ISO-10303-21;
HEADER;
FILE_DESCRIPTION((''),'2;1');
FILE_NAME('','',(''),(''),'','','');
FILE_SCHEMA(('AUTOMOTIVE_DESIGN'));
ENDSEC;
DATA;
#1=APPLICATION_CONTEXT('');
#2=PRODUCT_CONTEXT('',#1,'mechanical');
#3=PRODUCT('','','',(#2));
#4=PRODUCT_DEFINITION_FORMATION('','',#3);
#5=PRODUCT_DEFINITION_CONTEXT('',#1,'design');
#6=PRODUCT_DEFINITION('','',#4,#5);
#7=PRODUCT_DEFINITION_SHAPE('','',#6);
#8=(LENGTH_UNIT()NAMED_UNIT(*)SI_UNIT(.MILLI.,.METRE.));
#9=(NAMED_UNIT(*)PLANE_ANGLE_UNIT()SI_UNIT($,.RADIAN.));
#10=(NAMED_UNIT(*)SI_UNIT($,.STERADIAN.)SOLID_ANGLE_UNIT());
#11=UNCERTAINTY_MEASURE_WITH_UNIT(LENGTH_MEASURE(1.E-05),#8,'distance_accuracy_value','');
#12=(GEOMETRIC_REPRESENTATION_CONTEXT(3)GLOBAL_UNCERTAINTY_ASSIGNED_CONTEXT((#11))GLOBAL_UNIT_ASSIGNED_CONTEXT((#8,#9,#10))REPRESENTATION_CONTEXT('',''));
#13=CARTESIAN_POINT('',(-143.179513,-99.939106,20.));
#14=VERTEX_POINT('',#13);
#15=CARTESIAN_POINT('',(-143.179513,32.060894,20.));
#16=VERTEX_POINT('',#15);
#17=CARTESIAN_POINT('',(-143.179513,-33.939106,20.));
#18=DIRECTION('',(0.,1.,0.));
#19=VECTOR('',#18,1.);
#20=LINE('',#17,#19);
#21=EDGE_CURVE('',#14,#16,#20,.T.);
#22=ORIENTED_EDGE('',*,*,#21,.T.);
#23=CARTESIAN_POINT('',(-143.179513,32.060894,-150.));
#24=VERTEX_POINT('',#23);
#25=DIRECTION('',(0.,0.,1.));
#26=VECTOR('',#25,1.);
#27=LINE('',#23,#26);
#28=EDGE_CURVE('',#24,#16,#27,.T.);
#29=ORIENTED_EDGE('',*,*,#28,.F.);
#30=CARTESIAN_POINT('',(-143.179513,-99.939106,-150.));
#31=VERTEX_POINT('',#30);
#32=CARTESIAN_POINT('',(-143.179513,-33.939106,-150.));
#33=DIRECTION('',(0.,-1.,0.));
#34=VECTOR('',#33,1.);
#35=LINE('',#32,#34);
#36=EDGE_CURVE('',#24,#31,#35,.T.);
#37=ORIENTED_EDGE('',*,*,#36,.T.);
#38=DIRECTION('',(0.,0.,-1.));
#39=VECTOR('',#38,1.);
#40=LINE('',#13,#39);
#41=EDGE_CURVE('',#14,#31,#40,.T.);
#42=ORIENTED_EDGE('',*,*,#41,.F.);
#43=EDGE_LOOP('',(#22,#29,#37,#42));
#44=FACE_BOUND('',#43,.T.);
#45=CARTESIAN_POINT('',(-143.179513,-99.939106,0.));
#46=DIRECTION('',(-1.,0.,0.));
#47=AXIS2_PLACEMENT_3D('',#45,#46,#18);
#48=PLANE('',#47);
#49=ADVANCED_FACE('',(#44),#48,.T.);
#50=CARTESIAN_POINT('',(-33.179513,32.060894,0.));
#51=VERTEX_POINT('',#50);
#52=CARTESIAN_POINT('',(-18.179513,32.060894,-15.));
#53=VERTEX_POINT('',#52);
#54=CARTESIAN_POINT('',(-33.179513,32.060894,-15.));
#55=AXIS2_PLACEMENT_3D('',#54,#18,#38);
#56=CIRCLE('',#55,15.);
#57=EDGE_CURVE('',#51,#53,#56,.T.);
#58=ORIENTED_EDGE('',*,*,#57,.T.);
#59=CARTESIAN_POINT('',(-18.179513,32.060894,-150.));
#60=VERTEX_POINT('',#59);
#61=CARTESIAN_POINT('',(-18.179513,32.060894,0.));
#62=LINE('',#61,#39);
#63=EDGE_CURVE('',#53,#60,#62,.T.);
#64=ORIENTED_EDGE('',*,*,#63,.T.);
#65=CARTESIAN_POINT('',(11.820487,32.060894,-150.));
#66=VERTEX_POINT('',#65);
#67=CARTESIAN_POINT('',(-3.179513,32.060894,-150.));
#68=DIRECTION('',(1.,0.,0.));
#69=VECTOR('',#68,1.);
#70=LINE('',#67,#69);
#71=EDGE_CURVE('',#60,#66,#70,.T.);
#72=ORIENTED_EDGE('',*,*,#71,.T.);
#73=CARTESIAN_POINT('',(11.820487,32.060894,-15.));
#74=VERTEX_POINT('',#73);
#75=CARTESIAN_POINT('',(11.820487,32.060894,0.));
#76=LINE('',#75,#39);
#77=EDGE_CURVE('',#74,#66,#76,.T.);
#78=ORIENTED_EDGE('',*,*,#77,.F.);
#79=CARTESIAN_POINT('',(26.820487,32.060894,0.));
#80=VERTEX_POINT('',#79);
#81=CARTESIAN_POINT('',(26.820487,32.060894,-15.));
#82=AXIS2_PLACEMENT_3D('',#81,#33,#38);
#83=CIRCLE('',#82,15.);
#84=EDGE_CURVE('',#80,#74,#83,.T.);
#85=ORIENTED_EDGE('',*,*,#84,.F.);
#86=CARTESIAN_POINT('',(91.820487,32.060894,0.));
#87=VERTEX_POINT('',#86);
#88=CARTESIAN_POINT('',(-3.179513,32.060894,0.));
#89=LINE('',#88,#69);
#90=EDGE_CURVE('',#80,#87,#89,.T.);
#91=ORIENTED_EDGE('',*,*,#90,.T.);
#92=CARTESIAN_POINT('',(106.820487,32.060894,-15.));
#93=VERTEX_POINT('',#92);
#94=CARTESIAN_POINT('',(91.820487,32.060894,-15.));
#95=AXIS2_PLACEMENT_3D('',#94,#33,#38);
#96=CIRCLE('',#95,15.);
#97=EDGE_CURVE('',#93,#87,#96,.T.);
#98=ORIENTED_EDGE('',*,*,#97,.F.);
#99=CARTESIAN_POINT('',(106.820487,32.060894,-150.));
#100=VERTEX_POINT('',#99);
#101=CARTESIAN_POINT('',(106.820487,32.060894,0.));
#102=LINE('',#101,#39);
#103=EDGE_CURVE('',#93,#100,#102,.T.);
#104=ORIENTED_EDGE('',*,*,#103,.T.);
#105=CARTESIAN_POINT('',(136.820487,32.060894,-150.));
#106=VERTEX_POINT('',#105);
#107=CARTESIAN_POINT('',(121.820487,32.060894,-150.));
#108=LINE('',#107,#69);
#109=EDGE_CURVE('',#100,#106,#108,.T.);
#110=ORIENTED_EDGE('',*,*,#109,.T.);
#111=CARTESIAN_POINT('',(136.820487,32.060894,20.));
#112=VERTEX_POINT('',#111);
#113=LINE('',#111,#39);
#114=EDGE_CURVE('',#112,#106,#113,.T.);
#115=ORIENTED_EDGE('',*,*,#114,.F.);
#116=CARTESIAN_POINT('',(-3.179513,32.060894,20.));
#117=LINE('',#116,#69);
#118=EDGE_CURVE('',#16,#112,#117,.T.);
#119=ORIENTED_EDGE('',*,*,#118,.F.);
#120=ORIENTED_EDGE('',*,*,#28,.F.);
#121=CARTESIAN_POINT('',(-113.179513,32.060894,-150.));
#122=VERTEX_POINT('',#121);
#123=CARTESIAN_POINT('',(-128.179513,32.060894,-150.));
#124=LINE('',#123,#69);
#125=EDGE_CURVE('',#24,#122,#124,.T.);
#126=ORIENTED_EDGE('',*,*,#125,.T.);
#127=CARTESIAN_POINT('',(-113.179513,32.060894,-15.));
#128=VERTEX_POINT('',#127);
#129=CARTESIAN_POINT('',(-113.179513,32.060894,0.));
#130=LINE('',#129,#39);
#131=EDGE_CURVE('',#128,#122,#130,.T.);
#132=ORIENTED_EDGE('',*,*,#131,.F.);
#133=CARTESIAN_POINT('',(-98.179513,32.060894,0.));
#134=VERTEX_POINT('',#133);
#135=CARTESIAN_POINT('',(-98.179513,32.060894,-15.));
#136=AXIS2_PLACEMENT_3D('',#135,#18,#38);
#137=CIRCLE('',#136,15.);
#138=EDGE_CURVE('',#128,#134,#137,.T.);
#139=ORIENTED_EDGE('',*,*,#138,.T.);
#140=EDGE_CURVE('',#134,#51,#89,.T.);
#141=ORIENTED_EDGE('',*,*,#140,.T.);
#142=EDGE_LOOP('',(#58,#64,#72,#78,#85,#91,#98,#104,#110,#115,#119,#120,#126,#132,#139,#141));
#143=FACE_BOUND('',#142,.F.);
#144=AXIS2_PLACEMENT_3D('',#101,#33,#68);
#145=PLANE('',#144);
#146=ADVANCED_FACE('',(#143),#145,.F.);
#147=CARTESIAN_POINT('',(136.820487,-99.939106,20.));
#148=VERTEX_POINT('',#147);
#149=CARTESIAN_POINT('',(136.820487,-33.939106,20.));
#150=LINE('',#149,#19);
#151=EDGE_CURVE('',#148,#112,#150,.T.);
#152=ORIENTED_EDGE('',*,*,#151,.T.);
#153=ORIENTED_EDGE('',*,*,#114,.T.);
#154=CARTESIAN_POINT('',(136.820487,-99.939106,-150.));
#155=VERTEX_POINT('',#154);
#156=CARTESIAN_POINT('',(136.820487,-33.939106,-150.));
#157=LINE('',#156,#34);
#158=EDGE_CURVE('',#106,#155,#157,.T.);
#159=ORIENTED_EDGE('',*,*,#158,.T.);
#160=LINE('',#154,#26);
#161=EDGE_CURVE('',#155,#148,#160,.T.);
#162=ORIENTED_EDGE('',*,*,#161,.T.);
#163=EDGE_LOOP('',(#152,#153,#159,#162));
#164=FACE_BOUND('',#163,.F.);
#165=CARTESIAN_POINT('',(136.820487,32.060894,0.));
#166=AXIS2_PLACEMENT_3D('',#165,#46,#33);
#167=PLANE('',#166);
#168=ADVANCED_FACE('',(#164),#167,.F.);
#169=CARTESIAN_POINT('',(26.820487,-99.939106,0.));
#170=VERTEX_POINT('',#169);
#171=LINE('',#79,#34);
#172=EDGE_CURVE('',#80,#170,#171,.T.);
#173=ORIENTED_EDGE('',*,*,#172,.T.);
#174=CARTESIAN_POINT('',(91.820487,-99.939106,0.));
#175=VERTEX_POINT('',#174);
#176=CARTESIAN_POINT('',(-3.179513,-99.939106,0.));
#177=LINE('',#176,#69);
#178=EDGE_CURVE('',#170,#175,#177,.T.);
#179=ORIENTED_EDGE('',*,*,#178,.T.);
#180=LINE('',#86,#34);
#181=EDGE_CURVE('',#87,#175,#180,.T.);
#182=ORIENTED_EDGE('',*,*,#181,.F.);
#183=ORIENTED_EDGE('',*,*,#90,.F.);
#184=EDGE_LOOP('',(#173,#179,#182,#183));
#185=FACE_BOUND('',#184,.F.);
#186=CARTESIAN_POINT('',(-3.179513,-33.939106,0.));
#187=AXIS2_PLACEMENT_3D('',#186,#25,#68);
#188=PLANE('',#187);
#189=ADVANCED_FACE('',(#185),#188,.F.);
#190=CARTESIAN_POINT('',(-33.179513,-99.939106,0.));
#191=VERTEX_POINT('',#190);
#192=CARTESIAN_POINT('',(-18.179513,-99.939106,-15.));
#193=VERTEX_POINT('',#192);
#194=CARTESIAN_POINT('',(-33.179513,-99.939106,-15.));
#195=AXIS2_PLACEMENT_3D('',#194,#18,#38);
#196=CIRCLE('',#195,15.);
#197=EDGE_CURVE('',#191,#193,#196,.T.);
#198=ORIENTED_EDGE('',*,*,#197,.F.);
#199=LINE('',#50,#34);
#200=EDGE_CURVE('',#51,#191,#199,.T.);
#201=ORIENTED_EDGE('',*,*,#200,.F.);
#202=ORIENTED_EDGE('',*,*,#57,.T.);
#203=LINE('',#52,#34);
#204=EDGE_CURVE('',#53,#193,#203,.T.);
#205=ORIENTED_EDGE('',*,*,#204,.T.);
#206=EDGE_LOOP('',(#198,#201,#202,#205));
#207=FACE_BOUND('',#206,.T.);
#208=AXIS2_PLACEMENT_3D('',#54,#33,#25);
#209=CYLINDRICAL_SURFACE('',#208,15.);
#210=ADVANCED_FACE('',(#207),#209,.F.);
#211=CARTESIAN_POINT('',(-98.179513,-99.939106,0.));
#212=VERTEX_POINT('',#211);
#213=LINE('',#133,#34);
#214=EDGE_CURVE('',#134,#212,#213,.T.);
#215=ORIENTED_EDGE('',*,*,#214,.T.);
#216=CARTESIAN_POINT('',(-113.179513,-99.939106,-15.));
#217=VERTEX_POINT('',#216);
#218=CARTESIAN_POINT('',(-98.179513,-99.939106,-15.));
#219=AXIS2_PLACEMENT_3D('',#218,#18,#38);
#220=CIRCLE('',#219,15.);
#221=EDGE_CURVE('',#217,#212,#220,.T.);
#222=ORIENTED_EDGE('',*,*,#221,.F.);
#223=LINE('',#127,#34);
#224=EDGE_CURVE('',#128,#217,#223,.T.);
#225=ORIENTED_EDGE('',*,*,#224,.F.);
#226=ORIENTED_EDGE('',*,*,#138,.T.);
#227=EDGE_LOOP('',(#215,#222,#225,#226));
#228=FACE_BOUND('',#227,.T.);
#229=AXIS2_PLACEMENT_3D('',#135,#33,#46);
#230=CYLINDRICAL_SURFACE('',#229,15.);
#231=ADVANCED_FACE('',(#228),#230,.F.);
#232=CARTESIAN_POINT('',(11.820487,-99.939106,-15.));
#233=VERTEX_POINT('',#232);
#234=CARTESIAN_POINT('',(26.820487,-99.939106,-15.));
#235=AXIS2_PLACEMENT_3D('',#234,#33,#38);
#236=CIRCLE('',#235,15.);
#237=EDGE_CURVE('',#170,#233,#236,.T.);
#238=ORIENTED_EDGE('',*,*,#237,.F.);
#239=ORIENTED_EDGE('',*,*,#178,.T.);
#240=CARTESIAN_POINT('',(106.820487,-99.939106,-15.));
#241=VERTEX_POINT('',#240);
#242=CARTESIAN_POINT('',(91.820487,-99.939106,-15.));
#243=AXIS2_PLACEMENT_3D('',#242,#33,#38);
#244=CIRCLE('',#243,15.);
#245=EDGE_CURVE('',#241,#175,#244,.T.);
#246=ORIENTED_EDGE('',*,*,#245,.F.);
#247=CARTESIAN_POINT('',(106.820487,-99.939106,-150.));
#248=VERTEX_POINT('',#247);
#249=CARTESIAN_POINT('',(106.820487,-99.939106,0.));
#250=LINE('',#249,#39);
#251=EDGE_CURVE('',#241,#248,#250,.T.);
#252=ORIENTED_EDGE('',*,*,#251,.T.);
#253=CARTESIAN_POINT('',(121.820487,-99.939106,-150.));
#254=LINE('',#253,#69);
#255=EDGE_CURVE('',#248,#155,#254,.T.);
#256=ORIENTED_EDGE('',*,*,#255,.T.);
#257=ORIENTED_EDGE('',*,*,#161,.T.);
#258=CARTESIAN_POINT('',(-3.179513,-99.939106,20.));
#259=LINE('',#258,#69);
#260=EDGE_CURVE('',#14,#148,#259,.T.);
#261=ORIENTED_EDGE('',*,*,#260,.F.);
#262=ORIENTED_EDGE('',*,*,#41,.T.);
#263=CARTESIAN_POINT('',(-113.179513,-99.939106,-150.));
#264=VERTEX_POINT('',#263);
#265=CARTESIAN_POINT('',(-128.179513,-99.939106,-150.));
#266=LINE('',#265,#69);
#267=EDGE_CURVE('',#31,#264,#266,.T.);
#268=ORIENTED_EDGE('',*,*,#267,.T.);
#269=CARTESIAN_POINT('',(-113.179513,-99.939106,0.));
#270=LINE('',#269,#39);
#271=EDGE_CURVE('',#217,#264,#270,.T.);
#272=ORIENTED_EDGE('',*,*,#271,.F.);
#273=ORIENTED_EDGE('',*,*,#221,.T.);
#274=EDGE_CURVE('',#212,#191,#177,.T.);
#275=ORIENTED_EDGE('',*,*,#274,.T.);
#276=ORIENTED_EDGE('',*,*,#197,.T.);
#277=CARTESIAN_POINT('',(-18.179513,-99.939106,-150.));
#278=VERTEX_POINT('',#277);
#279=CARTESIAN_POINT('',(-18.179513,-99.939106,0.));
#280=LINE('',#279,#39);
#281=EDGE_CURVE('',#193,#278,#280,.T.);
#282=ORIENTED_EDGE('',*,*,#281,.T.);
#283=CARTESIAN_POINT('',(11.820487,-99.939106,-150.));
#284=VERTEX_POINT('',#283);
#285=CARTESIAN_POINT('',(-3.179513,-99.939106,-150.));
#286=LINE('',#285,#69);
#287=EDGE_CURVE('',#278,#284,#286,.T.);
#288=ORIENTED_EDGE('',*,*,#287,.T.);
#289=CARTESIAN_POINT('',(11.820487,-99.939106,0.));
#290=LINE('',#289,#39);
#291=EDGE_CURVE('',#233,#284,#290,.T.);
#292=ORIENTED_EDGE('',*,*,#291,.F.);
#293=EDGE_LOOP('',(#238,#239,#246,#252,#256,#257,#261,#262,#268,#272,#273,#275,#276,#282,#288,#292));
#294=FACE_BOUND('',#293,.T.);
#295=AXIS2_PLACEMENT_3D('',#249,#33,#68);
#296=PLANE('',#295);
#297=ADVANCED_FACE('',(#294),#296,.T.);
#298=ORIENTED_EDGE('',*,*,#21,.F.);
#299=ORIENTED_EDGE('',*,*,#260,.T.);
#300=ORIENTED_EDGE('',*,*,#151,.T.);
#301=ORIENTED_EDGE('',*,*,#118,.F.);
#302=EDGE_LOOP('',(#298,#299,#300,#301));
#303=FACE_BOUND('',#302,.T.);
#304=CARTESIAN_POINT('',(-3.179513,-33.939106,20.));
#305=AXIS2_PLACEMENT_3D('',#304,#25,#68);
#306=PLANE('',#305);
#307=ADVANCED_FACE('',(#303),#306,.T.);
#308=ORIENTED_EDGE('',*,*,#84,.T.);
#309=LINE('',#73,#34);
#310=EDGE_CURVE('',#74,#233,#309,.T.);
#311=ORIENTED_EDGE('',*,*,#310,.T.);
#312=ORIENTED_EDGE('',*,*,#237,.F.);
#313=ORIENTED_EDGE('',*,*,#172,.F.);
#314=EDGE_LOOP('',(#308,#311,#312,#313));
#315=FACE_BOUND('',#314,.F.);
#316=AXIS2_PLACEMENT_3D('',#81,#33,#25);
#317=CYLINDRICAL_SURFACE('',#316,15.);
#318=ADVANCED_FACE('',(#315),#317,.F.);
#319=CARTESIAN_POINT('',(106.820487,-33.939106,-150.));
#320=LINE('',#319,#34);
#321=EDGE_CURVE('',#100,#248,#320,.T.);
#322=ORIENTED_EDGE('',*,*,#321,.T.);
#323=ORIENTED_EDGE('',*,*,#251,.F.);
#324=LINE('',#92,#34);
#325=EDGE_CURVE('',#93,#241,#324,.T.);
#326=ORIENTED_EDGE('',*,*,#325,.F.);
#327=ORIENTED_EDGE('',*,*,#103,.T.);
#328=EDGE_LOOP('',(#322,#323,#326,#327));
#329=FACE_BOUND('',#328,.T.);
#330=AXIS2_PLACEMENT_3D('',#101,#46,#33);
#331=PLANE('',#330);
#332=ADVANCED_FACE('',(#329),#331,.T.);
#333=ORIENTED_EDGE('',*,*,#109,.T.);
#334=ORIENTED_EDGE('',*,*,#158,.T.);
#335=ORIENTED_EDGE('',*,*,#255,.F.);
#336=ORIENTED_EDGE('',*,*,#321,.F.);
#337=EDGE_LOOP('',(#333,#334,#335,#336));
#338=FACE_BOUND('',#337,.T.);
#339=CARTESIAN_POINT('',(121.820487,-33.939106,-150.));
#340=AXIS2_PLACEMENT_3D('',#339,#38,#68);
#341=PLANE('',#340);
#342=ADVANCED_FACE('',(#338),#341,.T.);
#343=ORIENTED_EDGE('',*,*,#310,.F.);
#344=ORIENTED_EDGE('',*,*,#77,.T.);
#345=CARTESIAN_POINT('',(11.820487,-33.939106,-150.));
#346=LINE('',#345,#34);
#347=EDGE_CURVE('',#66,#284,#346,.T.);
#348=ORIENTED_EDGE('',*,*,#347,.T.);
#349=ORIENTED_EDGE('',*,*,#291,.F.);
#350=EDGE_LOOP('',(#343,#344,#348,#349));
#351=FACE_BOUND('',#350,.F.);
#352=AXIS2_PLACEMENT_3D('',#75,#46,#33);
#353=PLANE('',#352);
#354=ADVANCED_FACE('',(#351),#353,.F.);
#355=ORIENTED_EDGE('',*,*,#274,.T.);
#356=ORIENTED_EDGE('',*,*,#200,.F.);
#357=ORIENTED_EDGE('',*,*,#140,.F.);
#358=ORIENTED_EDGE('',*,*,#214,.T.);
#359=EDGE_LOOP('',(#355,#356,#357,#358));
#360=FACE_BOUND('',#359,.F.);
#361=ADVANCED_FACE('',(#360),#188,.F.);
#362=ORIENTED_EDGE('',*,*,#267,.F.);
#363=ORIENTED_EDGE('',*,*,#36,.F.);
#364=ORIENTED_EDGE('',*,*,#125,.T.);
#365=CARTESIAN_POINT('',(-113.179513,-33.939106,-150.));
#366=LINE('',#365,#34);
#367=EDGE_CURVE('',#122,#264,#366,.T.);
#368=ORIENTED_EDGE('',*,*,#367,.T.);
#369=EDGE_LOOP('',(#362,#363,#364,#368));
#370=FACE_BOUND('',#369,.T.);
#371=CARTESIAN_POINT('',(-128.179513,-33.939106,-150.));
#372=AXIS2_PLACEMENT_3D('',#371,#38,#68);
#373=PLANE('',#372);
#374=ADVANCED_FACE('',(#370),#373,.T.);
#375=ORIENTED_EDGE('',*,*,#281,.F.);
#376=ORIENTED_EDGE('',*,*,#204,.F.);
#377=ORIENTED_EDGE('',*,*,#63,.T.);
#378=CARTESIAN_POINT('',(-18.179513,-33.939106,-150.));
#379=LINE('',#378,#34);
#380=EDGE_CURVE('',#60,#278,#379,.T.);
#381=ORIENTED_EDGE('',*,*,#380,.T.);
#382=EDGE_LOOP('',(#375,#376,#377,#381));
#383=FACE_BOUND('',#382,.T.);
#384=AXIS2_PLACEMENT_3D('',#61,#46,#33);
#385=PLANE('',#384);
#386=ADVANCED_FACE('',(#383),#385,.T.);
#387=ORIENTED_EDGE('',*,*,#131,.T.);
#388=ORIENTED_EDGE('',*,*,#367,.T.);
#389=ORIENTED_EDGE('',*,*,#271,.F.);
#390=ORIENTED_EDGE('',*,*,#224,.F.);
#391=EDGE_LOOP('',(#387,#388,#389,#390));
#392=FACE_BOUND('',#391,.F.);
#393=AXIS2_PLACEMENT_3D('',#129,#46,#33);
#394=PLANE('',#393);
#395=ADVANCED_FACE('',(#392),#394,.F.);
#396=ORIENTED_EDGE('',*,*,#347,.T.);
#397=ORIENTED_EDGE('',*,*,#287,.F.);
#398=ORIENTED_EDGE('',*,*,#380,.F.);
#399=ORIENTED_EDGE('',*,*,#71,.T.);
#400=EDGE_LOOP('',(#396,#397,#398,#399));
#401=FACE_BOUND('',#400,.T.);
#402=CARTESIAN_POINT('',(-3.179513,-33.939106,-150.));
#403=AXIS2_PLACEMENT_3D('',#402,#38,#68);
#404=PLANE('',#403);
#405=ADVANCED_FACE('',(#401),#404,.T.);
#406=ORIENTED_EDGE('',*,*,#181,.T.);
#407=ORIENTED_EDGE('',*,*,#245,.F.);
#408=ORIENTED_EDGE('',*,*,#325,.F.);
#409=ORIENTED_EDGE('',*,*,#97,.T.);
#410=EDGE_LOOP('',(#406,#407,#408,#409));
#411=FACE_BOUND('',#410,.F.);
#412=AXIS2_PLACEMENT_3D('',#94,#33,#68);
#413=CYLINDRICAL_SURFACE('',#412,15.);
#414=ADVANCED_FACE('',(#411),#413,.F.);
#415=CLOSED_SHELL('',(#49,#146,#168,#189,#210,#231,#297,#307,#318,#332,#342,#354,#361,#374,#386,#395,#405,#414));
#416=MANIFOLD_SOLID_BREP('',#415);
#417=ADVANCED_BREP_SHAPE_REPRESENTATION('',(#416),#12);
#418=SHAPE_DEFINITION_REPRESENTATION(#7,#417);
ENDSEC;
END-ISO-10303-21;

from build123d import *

# Parameters (mm, degrees)
F0_W     = 280
F0_H     = 132
F1_DEPTH = 20
F2_W     = 30
F2_H     = 132
F3_DEPTH = 150
F4_R     = 15
F5_R     = 15


with BuildPart() as f1:
    # F0 (on Top) → F1 (new body)
    with BuildSketch(Plane.XY):
        with Locations((-3.179513, -33.939106)):
            Rectangle(F0_W, F0_H)
    extrude(amount=F1_DEPTH)

    # F2 (on face) → F3 (join)
    with BuildSketch(Plane(origin=(0, 0, 0), x_dir=(1, 0, 0), z_dir=(0, 0, -1))):
        with Locations((121.820487, 33.939106)):
            Rectangle(F2_W, F2_H)
        with Locations((-3.179513, 33.939106)):
            Rectangle(F2_W, F2_H)
        with Locations((-128.179513, 33.939106)):
            Rectangle(F2_W, F2_H)
    extrude(amount=F3_DEPTH)

    # F4
    f4_edges = [f1.edges().sort_by_distance(p)[0] for p in [
        (106.820487, -33.939106, 0),
        (-18.179513, -33.939106, 0),
    ]]
    fillet(f4_edges, radius=F4_R)

    # F5
    f5_edges = [f1.edges().sort_by_distance(p)[0] for p in [
        (-113.179513, -33.939106, 0),
        (11.820487, -33.939106, 0),
    ]]
    fillet(f5_edges, radius=F5_R)


solid = f1.part
